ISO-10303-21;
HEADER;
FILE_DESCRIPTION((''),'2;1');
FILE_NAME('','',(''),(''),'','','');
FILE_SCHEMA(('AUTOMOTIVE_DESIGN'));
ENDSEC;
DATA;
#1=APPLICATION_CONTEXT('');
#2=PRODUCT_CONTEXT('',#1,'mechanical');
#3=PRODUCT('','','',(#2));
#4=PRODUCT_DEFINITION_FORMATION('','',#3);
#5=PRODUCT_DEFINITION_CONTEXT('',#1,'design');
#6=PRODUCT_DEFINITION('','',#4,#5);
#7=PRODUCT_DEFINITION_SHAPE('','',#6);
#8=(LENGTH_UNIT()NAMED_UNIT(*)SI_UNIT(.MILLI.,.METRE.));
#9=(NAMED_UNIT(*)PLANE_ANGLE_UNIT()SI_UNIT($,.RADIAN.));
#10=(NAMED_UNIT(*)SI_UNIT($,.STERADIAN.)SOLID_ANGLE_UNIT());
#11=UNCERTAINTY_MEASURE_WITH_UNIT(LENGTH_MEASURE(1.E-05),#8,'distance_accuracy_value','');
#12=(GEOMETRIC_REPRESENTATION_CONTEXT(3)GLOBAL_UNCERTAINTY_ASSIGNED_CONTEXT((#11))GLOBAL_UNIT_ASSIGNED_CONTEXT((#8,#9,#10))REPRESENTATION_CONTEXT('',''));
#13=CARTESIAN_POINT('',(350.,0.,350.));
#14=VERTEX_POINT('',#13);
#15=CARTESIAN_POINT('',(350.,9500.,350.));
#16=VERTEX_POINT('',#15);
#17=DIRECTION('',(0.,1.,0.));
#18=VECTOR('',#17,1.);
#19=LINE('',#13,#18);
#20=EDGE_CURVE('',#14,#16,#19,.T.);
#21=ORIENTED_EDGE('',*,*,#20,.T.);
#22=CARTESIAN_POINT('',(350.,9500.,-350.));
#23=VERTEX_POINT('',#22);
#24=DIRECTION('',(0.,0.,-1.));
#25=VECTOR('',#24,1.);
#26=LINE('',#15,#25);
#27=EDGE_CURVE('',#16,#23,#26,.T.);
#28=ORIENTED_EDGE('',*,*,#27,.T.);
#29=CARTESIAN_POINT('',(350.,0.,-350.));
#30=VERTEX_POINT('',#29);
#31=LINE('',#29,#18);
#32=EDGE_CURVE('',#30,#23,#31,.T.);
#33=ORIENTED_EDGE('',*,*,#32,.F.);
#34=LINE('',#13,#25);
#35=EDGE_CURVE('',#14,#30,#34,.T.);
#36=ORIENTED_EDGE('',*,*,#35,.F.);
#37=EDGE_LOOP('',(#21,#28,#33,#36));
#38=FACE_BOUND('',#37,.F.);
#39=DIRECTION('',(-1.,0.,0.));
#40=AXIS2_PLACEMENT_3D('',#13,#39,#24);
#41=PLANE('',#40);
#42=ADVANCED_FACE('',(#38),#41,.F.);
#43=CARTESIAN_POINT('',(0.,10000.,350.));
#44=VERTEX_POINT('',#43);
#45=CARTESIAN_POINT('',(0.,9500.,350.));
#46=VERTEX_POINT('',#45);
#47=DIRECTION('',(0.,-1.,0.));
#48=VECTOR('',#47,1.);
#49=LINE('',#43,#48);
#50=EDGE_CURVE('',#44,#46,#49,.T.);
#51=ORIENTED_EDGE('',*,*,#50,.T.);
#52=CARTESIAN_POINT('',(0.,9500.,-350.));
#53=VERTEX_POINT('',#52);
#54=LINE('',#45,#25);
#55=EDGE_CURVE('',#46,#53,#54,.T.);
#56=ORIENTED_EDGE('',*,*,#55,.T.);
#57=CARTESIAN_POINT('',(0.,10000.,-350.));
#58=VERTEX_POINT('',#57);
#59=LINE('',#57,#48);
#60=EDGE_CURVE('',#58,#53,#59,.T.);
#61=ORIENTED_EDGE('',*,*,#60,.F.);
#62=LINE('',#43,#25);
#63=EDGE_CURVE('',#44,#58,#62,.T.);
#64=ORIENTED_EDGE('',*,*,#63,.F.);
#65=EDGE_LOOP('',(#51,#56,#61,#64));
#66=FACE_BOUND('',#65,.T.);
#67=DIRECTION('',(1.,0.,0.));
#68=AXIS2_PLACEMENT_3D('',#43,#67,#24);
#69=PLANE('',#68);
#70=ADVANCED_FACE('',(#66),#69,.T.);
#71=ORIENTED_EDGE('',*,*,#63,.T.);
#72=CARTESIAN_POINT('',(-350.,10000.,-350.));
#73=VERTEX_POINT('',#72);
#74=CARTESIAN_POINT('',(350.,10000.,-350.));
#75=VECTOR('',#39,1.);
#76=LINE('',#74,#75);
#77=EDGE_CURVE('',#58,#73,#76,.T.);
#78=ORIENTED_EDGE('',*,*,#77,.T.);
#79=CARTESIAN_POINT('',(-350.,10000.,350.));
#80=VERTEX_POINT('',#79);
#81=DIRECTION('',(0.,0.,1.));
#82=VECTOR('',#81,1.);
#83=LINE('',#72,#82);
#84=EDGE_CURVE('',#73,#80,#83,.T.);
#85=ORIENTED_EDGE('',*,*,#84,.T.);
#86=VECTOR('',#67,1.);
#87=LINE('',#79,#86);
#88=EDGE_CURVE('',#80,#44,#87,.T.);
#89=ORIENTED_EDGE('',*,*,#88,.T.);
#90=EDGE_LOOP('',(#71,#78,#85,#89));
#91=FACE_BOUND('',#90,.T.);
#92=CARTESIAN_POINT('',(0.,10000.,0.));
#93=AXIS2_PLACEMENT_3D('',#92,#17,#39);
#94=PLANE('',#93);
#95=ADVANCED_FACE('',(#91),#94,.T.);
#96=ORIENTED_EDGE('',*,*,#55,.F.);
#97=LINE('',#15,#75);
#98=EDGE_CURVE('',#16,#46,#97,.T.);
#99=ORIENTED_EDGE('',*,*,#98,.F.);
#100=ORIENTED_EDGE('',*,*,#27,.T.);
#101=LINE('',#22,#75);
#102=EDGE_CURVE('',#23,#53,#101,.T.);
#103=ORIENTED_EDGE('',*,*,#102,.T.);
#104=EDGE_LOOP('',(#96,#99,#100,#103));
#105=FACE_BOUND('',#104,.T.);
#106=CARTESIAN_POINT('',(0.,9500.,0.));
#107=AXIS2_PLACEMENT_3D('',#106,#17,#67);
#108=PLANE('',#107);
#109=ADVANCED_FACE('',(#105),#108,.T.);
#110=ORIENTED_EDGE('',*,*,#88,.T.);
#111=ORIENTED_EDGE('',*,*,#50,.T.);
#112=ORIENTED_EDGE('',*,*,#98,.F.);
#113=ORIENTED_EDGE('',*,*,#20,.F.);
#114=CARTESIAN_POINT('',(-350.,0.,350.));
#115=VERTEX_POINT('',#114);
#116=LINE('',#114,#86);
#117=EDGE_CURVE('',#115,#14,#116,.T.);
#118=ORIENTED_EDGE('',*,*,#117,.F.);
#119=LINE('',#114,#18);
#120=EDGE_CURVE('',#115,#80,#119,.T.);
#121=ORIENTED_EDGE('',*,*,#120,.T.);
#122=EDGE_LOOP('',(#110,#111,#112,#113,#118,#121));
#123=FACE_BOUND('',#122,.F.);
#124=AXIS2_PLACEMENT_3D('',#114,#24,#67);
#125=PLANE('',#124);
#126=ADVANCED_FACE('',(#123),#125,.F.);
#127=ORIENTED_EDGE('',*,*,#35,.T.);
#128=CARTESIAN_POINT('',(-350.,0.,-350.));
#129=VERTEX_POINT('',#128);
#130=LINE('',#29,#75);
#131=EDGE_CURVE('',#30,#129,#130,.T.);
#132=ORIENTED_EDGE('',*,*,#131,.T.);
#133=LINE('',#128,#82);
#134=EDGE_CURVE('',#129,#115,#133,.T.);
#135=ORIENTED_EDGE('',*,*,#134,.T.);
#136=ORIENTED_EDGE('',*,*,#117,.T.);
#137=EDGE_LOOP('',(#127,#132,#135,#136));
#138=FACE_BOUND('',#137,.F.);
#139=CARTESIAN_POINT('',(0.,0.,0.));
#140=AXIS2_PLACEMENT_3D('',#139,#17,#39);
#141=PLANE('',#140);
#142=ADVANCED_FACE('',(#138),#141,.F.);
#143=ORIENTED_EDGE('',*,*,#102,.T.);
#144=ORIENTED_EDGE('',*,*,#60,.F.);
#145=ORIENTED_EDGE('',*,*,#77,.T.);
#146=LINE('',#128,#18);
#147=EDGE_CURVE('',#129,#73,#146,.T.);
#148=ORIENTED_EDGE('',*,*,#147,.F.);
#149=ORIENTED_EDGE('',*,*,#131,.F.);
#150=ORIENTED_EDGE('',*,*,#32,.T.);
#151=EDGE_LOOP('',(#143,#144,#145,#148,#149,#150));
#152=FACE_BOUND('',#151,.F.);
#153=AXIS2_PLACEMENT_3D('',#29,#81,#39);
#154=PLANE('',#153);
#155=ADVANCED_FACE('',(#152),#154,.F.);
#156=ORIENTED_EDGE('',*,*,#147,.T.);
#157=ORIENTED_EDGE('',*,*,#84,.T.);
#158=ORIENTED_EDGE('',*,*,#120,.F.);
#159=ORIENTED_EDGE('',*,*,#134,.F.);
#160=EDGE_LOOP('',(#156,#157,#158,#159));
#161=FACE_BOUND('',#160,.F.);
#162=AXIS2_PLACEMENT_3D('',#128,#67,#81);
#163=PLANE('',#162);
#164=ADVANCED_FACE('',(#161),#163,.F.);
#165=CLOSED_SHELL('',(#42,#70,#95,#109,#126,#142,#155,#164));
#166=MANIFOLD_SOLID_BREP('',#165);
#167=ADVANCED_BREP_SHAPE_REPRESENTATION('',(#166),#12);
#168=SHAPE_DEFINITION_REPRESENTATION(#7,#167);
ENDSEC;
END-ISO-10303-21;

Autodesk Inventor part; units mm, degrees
ref_plane "YZ Plane" through (0, 0, 0) normal (1, 0, 0) x (0, 1, 0)
ref_plane "XZ Plane" through (0, 0, 0) normal (0, 1, 0) x (-1, 0, 0)
ref_plane "XY Plane" through (0, 0, 0) normal (0, 0, 1) x (1, 0, 0)
sketch "Base" plane through (0, 0, 0) normal (0, 1, 0) x (-1, 0, 0)
  line L0 (350, 350) -> (-350, 350)
  line L1 (-350, 350) -> (-350, -350)
  line L2 (-350, -350) -> (350, -350)
  line L3 (350, -350) -> (350, 350)
  line L4 (350, 350) -> (-350, -350) construction
  line L5 (-350, 350) -> (350, -350) construction
  point P0 (0, 0)
  dimension "d0" = 700
  dimension "d1" = 700
extrude "Extrusion1" add sketch "Base" along normal blind 10000
sketch "CortePoleas" plane through (0, 10000, 0) normal (0, 1, 0) x (1, 0, 0)
  line L0 (350, 350) -> (-350, 350) projected
  line L1 (350, -350) -> (350, 350) projected
  line L2 (0, 350) -> (350, 350)
  line L3 (350, 350) -> (350, -350)
  line L4 (350, -350) -> (0, -350)
  line L5 (0, -350) -> (0, 350)
  point P0 (0, 0)
extrude "Extrusion2" cut sketch "CortePoleas" against normal blind 500
properties part number "Columna"
